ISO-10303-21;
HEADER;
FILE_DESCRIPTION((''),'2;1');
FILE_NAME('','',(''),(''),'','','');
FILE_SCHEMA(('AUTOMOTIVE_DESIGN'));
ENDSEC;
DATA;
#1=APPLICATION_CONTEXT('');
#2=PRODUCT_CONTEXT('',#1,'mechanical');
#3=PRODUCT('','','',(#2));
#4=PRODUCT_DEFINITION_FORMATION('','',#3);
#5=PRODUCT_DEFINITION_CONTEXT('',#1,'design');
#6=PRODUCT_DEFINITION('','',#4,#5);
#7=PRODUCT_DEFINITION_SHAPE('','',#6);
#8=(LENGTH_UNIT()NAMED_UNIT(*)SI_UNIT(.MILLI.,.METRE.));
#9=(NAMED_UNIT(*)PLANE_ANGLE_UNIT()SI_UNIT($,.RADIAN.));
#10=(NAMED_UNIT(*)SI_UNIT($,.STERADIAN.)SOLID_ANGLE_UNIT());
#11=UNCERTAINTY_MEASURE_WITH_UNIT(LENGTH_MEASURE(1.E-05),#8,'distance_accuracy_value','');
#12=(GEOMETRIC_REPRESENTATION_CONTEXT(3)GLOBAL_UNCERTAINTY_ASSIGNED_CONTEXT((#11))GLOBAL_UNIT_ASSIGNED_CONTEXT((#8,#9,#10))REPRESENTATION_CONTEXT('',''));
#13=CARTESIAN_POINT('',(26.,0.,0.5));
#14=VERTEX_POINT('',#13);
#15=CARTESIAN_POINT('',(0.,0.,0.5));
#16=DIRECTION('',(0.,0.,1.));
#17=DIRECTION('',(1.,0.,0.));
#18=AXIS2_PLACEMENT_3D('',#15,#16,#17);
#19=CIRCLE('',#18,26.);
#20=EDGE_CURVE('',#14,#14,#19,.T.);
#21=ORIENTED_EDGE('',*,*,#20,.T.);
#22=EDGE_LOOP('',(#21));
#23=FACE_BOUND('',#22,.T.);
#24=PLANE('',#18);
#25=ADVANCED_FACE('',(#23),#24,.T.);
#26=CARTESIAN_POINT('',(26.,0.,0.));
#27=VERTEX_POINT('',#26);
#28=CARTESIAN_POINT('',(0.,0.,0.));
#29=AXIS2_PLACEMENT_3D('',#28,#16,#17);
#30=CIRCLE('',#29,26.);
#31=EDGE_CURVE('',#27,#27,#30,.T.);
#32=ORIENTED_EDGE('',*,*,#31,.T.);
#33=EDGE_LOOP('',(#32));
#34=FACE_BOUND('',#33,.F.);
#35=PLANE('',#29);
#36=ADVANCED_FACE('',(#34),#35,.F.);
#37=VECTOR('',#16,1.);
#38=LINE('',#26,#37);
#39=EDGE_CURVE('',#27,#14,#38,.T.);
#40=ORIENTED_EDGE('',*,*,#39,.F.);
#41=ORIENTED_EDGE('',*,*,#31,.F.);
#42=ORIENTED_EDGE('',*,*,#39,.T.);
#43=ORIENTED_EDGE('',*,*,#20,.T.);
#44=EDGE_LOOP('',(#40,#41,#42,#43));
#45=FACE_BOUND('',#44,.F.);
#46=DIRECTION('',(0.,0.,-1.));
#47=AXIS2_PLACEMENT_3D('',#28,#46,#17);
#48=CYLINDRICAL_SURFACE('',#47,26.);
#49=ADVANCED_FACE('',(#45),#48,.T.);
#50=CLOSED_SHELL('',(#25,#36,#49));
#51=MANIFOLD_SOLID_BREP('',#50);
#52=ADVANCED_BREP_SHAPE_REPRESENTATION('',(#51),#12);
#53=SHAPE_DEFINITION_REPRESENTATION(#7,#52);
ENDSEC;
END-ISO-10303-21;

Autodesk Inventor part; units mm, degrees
ref_plane "YZ Plane" through (0, 0, 0) normal (1, 0, 0) x (0, 1, 0)
ref_plane "XZ Plane" through (0, 0, 0) normal (0, 1, 0) x (-1, 0, 0)
ref_plane "XY Plane" through (0, 0, 0) normal (0, 0, 1) x (1, 0, 0)
sketch "Sketch1" plane through (0, 0, 0) normal (0, 0, 1) x (1, 0, 0)
  circle A0 centre (0, 0) radius 26
  dimension "d0" = 52
extrude "Extrusion1" add sketch "Sketch1" along normal blind 0.5
properties part number "tag_blue"
